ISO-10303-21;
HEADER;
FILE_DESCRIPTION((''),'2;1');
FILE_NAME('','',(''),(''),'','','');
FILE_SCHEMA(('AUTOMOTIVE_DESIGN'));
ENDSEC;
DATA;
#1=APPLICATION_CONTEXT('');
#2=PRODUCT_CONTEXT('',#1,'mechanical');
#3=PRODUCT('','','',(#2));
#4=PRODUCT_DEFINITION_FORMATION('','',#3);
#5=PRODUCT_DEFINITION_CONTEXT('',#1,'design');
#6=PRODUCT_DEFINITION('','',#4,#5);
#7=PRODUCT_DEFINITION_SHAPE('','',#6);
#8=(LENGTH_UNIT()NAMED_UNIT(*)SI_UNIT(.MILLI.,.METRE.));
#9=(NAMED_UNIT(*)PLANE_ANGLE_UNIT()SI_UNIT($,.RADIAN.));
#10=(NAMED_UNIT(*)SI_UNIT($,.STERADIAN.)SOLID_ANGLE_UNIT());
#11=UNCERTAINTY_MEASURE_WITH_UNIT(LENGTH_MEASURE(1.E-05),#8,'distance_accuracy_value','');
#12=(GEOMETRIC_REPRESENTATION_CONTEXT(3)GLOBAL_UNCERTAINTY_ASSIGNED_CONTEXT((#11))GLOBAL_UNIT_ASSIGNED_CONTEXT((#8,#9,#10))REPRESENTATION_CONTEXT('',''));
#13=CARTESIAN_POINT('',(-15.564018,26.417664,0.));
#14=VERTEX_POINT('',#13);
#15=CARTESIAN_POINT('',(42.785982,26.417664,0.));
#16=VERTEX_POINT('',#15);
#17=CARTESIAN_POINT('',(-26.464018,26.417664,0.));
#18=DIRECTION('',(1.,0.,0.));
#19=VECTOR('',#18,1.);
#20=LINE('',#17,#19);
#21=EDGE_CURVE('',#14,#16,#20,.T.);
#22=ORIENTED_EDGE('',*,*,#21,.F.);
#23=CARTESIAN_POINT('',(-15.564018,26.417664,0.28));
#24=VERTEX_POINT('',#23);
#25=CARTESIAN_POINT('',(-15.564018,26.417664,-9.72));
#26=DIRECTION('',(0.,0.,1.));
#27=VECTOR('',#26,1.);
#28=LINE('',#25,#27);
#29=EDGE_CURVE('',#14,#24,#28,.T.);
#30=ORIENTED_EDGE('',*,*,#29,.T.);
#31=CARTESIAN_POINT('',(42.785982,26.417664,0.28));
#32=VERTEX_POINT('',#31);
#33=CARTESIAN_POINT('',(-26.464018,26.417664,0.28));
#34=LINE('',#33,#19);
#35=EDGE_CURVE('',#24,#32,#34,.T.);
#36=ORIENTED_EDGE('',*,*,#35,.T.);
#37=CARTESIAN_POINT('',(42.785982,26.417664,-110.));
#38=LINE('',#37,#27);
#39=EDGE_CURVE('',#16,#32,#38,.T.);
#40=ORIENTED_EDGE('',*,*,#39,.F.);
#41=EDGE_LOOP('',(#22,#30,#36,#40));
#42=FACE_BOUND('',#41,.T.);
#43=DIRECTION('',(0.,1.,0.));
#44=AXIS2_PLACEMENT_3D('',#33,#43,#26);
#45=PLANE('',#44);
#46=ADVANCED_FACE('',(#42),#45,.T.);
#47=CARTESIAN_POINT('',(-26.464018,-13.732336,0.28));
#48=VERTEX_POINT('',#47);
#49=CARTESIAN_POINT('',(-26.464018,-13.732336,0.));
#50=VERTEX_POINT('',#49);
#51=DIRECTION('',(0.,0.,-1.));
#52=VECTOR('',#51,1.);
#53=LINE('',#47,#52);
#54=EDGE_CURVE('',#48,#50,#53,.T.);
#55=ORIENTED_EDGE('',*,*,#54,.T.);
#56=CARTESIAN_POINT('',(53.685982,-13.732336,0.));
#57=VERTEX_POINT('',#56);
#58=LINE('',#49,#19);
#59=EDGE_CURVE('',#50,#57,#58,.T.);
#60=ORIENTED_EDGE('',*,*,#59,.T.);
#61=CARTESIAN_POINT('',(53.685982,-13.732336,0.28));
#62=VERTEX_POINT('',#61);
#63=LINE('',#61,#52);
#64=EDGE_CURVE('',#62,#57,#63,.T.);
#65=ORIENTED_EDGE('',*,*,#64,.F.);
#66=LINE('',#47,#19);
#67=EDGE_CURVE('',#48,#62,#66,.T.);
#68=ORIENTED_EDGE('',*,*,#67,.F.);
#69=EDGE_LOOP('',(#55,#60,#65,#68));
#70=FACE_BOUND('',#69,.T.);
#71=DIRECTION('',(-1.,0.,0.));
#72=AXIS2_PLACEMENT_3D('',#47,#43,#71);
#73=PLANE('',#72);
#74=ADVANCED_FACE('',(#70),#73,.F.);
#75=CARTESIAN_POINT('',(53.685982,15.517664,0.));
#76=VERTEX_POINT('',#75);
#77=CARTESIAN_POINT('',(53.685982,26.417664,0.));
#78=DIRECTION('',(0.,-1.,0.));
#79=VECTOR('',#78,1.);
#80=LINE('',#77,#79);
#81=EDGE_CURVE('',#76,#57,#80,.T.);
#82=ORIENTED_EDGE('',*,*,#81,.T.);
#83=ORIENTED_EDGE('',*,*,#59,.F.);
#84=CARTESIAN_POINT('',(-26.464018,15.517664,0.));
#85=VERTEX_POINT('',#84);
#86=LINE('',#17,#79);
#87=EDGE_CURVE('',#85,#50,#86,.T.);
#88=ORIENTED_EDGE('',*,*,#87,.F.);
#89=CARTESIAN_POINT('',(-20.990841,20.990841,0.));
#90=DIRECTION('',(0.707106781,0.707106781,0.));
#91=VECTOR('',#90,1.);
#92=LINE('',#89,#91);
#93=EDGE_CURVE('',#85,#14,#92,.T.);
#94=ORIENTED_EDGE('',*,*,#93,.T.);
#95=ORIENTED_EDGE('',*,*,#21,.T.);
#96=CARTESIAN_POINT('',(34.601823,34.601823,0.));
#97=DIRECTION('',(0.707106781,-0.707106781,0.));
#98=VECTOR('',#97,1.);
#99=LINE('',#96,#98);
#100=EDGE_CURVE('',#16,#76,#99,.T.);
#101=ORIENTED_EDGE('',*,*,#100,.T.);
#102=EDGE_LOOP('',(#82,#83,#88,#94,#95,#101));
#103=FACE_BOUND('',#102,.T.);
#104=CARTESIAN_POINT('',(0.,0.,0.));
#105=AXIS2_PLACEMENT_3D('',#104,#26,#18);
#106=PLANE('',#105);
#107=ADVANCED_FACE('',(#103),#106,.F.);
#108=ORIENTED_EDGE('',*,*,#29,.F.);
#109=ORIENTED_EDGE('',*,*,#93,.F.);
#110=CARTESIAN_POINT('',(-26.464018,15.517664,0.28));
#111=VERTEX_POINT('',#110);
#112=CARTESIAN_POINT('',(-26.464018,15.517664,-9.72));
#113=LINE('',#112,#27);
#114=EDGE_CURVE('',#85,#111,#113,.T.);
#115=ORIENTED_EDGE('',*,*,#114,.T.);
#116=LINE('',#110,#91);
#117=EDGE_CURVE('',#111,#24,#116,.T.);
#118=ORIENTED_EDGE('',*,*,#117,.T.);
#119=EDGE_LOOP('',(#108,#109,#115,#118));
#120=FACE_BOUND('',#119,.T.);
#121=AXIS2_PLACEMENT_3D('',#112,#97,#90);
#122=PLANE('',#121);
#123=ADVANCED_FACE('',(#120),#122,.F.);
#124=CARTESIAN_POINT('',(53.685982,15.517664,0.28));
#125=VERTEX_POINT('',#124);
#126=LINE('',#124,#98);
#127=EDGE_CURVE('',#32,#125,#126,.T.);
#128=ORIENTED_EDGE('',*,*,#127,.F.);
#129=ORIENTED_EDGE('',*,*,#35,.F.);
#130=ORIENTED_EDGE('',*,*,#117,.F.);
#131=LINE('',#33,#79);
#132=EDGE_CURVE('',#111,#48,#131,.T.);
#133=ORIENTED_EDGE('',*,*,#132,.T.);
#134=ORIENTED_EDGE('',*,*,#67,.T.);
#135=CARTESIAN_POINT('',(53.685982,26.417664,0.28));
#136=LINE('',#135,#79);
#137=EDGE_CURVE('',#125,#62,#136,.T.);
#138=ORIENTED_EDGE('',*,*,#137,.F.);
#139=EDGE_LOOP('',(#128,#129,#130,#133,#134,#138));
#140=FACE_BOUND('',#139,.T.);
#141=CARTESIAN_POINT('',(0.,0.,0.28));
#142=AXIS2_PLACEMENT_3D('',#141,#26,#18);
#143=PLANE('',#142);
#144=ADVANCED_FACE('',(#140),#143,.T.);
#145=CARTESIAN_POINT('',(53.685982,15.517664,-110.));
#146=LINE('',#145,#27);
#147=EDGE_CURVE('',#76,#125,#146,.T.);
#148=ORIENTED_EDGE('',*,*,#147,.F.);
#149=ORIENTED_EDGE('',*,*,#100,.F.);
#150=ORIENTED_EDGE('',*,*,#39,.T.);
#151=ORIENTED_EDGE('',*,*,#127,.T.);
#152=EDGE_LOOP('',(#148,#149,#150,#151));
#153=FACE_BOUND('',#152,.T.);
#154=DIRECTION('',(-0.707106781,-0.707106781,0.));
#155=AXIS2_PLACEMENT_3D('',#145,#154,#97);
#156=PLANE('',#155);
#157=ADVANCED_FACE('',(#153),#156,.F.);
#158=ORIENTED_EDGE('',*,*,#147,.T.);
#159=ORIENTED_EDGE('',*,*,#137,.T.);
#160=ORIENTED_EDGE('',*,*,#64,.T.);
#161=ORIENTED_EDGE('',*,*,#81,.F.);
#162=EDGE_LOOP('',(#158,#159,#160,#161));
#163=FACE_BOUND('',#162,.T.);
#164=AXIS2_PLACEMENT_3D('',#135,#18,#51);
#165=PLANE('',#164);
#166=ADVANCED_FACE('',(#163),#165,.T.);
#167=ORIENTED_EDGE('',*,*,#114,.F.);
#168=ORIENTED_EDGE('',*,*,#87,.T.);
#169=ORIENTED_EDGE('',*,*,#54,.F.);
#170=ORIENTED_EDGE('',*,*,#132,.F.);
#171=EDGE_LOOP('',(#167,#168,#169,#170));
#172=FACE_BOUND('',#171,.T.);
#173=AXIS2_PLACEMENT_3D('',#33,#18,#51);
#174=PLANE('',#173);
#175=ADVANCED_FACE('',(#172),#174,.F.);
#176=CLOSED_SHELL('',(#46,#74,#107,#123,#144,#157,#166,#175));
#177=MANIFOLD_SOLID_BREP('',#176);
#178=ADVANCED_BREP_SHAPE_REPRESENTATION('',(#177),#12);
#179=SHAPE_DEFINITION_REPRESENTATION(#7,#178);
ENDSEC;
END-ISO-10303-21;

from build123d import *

# Parameters (mm, degrees)
SKETCH1_W           = 80.15
SKETCH1_H           = 40.15
BOSS_EXTRUDE2_DEPTH = 0.28
CUT_EXTRUDE1_DEPTH  = 110.28
CUT_EXTRUDE2_DEPTH  = 10


with BuildPart() as part:
    # Sketch1 → Boss-Extrude2 (new body)
    with BuildSketch(Plane.XY):
        with Locations((13.610981812, 6.34266398)):
            Rectangle(SKETCH1_W, SKETCH1_H)
    extrude(amount=BOSS_EXTRUDE2_DEPTH)

    # Sketch3 → Cut-Extrude1 (cut)
    with BuildSketch(Plane.XY.offset(0.28)):
        Polygon((53.685981812, 26.41766398), (53.685981812, 15.51766398), (42.785981812, 26.41766398), align=None)
    extrude(amount=-CUT_EXTRUDE1_DEPTH, mode=Mode.SUBTRACT)

    # Sketch6 → Cut-Extrude2 (cut)
    with BuildSketch(Plane.XY.offset(0.28)):
        Polygon((-26.464018188, 26.41766398), (-26.464018188, 15.51766398), (-15.564018188, 26.41766398), align=None)
    extrude(amount=-CUT_EXTRUDE2_DEPTH, mode=Mode.SUBTRACT)


solid = part.part
